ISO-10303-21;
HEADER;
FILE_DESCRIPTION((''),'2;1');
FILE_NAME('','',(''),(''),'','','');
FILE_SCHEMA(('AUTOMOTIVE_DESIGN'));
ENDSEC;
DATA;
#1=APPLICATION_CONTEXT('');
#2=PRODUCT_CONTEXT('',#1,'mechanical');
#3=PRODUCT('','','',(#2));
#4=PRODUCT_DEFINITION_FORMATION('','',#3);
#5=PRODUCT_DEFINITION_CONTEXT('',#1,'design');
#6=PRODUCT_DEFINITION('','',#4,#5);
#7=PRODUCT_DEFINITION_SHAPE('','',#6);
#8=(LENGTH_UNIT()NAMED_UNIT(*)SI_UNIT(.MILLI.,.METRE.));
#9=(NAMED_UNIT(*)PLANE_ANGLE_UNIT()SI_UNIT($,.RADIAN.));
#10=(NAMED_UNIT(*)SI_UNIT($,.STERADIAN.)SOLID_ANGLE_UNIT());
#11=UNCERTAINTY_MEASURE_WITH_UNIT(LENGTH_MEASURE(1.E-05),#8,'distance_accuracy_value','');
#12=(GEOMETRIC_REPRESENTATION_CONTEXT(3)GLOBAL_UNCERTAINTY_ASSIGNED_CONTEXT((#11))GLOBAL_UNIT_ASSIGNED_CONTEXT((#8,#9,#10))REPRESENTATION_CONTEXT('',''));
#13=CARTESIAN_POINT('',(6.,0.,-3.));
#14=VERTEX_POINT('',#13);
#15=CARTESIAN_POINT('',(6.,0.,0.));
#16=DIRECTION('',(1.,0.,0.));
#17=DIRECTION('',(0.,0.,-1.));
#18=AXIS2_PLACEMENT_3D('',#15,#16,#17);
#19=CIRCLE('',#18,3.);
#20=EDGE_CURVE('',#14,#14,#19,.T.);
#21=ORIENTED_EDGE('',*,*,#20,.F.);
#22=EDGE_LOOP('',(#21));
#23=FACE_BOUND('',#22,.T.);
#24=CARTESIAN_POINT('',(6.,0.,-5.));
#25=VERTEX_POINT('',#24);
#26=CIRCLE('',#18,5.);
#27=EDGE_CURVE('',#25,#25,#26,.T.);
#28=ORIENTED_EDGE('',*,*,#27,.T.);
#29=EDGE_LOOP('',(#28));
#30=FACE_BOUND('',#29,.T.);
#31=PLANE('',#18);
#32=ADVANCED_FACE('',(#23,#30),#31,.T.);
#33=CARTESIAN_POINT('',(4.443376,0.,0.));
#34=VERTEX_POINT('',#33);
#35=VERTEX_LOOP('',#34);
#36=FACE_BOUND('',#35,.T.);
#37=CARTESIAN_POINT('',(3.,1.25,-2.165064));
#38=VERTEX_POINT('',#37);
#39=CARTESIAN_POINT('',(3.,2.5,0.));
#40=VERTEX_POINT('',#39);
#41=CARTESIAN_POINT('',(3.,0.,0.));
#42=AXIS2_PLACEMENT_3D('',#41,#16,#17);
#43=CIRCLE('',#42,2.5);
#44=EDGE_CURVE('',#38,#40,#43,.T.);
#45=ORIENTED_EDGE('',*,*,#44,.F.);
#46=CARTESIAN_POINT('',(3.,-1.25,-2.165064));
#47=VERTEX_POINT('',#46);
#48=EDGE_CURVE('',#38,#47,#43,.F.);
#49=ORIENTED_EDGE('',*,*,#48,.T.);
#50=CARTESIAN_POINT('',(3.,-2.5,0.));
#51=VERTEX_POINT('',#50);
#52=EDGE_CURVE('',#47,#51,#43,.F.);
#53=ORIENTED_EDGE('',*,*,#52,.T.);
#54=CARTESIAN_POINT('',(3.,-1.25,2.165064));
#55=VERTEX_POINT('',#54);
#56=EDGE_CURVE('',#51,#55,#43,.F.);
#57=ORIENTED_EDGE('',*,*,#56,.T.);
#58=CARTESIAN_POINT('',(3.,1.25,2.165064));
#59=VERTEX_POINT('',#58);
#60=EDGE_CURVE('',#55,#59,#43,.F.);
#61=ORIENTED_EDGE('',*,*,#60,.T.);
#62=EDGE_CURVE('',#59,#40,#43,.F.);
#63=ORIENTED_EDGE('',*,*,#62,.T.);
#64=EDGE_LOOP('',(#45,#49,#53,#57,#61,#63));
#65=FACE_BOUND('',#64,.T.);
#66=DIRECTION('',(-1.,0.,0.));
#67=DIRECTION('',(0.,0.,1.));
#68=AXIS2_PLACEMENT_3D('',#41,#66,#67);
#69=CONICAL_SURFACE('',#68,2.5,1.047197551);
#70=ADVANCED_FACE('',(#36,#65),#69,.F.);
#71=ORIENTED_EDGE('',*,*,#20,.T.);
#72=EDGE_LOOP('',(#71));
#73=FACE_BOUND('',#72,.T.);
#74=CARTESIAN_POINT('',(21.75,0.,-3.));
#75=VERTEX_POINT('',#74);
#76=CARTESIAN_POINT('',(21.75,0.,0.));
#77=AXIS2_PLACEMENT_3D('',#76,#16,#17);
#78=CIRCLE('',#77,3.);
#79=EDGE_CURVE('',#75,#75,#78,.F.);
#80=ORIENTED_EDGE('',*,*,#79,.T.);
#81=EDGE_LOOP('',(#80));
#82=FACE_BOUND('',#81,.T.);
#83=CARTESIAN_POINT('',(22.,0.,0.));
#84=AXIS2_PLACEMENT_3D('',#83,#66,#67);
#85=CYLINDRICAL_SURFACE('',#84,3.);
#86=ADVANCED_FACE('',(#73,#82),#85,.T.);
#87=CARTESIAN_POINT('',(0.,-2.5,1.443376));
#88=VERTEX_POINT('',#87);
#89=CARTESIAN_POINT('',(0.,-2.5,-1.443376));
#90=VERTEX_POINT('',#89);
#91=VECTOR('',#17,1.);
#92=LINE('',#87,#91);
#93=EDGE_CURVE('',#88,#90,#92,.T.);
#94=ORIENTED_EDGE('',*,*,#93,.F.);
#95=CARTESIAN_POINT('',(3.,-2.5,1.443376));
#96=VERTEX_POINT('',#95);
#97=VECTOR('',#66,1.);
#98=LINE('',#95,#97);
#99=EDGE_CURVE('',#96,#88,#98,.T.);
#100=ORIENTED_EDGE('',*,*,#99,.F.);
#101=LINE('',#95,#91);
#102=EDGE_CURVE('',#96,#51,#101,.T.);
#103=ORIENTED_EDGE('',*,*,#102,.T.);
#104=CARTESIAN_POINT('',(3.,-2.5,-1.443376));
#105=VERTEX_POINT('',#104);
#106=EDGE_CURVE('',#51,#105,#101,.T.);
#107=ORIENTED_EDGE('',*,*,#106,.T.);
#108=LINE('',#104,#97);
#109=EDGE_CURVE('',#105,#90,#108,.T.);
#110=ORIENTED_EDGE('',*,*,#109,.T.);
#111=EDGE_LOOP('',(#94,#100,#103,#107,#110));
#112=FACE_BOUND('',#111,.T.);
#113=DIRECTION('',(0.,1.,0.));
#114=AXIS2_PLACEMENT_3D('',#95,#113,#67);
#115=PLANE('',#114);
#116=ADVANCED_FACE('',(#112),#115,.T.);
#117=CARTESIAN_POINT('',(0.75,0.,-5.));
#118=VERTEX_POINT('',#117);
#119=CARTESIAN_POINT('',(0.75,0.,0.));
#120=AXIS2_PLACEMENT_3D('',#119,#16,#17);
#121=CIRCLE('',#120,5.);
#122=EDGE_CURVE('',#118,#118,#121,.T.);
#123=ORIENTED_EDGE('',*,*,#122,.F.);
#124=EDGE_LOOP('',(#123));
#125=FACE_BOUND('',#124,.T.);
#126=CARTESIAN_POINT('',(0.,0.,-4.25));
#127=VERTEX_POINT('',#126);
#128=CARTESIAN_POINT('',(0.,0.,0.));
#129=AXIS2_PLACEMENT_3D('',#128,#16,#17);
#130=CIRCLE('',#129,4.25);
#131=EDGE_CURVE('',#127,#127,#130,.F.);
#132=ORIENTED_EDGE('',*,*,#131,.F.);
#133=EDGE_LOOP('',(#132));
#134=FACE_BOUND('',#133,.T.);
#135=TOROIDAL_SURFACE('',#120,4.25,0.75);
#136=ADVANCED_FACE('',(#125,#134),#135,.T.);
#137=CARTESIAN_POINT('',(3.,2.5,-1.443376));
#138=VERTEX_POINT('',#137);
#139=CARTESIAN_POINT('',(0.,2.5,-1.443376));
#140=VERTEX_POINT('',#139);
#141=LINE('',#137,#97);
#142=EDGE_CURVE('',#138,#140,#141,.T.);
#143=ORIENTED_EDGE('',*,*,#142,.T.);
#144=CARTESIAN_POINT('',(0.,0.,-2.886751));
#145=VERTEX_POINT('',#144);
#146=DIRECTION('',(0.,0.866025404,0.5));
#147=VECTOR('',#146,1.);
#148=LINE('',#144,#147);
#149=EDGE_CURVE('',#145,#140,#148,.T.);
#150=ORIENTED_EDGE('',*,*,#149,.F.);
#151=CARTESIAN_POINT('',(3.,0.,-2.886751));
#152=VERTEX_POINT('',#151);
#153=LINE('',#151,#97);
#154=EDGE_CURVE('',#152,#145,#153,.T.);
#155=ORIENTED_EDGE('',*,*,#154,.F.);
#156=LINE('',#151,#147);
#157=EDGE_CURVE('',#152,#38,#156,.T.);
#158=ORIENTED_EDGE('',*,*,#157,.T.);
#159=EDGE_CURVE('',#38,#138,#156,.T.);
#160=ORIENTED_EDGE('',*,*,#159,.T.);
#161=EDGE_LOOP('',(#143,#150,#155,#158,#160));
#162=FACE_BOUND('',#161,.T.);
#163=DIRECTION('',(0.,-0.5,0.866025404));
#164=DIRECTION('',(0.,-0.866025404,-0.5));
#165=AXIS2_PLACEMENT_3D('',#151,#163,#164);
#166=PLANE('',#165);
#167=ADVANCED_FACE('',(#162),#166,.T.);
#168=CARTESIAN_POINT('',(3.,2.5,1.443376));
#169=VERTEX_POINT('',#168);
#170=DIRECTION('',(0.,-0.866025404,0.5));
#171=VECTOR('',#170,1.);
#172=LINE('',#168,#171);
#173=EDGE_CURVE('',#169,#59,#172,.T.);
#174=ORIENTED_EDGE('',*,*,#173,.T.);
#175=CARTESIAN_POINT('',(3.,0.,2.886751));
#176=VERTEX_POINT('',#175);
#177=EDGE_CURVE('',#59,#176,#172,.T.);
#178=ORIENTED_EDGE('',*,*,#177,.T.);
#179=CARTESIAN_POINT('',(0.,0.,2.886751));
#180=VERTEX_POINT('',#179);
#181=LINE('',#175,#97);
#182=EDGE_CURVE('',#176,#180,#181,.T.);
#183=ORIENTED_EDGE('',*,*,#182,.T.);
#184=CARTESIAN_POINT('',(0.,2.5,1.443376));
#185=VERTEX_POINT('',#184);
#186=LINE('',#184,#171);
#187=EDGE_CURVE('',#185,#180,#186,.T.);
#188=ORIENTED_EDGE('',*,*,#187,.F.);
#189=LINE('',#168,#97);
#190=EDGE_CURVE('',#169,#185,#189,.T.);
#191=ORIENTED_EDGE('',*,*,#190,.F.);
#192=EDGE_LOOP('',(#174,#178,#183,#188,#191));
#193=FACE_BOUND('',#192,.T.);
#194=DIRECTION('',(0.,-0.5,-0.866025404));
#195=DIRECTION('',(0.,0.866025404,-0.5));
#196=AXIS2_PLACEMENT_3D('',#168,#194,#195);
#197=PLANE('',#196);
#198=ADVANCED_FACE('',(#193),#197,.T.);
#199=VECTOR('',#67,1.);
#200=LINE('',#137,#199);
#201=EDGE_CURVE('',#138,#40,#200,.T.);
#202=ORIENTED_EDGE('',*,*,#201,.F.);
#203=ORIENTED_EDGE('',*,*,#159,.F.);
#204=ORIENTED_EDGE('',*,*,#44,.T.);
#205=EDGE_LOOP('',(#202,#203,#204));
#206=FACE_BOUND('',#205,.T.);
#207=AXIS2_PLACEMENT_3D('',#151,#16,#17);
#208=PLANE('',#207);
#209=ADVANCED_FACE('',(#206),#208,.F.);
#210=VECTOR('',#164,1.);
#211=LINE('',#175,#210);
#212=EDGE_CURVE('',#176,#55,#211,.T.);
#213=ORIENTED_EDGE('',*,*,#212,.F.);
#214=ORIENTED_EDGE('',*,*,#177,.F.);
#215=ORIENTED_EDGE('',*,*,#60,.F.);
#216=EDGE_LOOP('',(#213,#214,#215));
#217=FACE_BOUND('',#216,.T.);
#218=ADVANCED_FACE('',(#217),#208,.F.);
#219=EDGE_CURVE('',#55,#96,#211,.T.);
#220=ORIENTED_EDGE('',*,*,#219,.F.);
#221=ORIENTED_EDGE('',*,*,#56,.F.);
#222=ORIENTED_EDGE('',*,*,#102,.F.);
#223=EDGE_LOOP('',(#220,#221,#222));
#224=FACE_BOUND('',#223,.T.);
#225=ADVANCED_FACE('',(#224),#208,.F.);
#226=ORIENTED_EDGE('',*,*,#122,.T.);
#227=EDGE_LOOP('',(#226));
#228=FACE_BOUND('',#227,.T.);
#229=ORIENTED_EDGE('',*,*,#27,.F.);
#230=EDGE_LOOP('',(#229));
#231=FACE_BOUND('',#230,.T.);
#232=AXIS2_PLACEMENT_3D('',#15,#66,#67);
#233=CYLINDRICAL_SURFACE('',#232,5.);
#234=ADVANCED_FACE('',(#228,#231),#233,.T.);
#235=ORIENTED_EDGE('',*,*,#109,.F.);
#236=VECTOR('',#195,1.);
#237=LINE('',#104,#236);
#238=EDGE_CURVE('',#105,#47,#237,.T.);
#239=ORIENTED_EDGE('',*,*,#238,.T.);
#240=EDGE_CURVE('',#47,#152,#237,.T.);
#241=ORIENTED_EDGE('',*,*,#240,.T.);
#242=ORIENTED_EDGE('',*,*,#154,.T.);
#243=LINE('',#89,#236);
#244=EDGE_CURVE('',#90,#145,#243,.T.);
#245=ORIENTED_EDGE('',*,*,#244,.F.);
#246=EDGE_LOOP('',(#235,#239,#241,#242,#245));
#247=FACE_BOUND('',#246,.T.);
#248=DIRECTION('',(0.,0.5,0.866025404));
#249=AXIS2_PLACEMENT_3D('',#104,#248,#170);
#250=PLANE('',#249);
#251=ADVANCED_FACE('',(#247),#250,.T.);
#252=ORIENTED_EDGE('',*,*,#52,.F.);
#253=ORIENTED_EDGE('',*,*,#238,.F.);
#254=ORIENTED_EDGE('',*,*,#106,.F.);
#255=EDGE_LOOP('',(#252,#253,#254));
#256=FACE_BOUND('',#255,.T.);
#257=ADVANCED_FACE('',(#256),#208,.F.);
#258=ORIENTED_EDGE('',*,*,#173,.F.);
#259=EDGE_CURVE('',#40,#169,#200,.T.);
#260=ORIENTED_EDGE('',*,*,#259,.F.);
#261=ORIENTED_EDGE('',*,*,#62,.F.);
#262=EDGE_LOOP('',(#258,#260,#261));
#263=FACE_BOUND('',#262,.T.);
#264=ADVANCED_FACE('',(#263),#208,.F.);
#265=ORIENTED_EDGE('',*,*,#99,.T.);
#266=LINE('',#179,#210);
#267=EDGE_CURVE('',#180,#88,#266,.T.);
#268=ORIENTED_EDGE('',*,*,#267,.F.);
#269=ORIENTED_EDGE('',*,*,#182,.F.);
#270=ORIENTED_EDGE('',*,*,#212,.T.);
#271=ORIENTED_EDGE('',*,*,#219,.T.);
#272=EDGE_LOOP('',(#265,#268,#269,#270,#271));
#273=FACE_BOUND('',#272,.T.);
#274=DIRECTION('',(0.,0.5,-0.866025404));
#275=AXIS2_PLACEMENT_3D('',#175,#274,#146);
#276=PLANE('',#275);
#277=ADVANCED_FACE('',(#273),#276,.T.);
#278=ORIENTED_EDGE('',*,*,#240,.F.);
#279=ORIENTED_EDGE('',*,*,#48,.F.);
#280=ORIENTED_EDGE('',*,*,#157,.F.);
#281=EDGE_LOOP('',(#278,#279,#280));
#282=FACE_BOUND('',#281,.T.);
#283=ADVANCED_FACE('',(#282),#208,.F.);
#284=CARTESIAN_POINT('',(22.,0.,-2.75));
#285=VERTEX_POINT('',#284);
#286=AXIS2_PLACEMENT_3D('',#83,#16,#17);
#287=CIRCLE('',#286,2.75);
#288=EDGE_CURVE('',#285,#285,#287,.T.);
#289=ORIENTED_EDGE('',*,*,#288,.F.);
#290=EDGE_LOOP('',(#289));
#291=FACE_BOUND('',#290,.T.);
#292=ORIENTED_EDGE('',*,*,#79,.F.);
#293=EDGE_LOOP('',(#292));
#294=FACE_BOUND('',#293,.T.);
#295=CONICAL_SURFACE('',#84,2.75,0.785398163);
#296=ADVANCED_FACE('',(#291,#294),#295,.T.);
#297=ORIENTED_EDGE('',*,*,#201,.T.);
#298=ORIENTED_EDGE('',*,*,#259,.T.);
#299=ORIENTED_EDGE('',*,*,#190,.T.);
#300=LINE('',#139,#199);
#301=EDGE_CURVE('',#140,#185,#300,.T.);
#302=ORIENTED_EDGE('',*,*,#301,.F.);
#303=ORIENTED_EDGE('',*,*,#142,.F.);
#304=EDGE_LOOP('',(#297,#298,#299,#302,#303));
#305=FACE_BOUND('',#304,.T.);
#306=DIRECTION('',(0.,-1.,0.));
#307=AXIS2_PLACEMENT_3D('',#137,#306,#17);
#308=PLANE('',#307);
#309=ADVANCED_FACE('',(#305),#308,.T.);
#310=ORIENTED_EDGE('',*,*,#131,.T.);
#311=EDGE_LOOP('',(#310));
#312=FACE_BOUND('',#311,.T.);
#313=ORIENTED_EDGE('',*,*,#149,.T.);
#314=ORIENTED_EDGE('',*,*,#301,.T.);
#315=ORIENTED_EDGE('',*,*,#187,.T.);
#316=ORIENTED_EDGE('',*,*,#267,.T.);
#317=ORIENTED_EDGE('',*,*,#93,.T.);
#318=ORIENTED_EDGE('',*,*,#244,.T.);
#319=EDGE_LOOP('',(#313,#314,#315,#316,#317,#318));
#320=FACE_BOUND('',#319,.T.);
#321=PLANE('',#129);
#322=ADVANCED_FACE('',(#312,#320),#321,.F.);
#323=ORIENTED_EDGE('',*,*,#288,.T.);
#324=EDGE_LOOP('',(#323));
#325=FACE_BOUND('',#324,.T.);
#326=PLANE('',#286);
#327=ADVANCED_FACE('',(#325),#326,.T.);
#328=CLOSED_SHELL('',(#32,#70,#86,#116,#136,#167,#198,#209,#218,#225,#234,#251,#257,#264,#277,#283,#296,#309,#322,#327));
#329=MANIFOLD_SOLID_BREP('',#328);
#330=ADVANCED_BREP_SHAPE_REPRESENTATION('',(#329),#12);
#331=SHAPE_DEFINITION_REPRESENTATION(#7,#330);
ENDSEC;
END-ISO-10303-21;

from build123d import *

# Parameters (mm, degrees)
SKETCH1_R           = 5
BASEHEAD_DEPTH      = 6
SKETCH2_R           = 3
BASEBODY_DEPTH      = 16
HEXAGONSOCKET_DEPTH = 3
TOPFILLET_R         = 0.75
CHAMFER1_SIZE       = 0.25


with BuildPart() as part:
    # Sketch1 → BaseHead (new body)
    with BuildSketch(Plane(origin=(0, 0, 0), x_dir=(0, 0, -1), z_dir=(1, 0, 0))):
        Circle(SKETCH1_R)
    extrude(amount=BASEHEAD_DEPTH)

    # Sketch2 → BaseBody (add)
    with BuildSketch(Plane(origin=(6, 0, 0), x_dir=(0, 0, -1), z_dir=(1, 0, 0))):
        Circle(SKETCH2_R)
    extrude(amount=BASEBODY_DEPTH)

    # Sketch3 → HexagonSocket (cut)
    with BuildSketch(Plane(origin=(0, 0, 0), x_dir=(0, 0, -1), z_dir=(1, 0, 0))):
        Polygon((2.886751346, 0), (1.443375673, 2.5), (-1.443375673, 2.5), (-2.886751346, 0), (-1.443375673, -2.5), (1.443375673, -2.5), align=None)
    extrude(amount=HEXAGONSOCKET_DEPTH, mode=Mode.SUBTRACT)

    # Sketch4 → Cut-Revolve1 (revolve, cut)
    with BuildSketch(Plane(origin=(-4.19613823, 0.75, 0), x_dir=(-1, 0, 0), z_dir=(0, 0, 1))):
        Polygon((-7.19613823, 3.25), (-8.639513903, 0.75), (-7.19613823, 0.75), align=None)
    revolve(axis=Axis((0.838992387, 0, 0), (-1, 0, 0)), mode=Mode.SUBTRACT)

    # TopFillet
    topfillet_edges = [part.edges().sort_by_distance(p)[0] for p in [
        (0, 0, 5),
    ]]
    fillet(topfillet_edges, radius=TOPFILLET_R)

    # Chamfer1
    chamfer1_edges = [part.edges().sort_by_distance(p)[0] for p in [
        (22, 0, 3),
    ]]
    chamfer(chamfer1_edges, length=CHAMFER1_SIZE)


solid = part.part
